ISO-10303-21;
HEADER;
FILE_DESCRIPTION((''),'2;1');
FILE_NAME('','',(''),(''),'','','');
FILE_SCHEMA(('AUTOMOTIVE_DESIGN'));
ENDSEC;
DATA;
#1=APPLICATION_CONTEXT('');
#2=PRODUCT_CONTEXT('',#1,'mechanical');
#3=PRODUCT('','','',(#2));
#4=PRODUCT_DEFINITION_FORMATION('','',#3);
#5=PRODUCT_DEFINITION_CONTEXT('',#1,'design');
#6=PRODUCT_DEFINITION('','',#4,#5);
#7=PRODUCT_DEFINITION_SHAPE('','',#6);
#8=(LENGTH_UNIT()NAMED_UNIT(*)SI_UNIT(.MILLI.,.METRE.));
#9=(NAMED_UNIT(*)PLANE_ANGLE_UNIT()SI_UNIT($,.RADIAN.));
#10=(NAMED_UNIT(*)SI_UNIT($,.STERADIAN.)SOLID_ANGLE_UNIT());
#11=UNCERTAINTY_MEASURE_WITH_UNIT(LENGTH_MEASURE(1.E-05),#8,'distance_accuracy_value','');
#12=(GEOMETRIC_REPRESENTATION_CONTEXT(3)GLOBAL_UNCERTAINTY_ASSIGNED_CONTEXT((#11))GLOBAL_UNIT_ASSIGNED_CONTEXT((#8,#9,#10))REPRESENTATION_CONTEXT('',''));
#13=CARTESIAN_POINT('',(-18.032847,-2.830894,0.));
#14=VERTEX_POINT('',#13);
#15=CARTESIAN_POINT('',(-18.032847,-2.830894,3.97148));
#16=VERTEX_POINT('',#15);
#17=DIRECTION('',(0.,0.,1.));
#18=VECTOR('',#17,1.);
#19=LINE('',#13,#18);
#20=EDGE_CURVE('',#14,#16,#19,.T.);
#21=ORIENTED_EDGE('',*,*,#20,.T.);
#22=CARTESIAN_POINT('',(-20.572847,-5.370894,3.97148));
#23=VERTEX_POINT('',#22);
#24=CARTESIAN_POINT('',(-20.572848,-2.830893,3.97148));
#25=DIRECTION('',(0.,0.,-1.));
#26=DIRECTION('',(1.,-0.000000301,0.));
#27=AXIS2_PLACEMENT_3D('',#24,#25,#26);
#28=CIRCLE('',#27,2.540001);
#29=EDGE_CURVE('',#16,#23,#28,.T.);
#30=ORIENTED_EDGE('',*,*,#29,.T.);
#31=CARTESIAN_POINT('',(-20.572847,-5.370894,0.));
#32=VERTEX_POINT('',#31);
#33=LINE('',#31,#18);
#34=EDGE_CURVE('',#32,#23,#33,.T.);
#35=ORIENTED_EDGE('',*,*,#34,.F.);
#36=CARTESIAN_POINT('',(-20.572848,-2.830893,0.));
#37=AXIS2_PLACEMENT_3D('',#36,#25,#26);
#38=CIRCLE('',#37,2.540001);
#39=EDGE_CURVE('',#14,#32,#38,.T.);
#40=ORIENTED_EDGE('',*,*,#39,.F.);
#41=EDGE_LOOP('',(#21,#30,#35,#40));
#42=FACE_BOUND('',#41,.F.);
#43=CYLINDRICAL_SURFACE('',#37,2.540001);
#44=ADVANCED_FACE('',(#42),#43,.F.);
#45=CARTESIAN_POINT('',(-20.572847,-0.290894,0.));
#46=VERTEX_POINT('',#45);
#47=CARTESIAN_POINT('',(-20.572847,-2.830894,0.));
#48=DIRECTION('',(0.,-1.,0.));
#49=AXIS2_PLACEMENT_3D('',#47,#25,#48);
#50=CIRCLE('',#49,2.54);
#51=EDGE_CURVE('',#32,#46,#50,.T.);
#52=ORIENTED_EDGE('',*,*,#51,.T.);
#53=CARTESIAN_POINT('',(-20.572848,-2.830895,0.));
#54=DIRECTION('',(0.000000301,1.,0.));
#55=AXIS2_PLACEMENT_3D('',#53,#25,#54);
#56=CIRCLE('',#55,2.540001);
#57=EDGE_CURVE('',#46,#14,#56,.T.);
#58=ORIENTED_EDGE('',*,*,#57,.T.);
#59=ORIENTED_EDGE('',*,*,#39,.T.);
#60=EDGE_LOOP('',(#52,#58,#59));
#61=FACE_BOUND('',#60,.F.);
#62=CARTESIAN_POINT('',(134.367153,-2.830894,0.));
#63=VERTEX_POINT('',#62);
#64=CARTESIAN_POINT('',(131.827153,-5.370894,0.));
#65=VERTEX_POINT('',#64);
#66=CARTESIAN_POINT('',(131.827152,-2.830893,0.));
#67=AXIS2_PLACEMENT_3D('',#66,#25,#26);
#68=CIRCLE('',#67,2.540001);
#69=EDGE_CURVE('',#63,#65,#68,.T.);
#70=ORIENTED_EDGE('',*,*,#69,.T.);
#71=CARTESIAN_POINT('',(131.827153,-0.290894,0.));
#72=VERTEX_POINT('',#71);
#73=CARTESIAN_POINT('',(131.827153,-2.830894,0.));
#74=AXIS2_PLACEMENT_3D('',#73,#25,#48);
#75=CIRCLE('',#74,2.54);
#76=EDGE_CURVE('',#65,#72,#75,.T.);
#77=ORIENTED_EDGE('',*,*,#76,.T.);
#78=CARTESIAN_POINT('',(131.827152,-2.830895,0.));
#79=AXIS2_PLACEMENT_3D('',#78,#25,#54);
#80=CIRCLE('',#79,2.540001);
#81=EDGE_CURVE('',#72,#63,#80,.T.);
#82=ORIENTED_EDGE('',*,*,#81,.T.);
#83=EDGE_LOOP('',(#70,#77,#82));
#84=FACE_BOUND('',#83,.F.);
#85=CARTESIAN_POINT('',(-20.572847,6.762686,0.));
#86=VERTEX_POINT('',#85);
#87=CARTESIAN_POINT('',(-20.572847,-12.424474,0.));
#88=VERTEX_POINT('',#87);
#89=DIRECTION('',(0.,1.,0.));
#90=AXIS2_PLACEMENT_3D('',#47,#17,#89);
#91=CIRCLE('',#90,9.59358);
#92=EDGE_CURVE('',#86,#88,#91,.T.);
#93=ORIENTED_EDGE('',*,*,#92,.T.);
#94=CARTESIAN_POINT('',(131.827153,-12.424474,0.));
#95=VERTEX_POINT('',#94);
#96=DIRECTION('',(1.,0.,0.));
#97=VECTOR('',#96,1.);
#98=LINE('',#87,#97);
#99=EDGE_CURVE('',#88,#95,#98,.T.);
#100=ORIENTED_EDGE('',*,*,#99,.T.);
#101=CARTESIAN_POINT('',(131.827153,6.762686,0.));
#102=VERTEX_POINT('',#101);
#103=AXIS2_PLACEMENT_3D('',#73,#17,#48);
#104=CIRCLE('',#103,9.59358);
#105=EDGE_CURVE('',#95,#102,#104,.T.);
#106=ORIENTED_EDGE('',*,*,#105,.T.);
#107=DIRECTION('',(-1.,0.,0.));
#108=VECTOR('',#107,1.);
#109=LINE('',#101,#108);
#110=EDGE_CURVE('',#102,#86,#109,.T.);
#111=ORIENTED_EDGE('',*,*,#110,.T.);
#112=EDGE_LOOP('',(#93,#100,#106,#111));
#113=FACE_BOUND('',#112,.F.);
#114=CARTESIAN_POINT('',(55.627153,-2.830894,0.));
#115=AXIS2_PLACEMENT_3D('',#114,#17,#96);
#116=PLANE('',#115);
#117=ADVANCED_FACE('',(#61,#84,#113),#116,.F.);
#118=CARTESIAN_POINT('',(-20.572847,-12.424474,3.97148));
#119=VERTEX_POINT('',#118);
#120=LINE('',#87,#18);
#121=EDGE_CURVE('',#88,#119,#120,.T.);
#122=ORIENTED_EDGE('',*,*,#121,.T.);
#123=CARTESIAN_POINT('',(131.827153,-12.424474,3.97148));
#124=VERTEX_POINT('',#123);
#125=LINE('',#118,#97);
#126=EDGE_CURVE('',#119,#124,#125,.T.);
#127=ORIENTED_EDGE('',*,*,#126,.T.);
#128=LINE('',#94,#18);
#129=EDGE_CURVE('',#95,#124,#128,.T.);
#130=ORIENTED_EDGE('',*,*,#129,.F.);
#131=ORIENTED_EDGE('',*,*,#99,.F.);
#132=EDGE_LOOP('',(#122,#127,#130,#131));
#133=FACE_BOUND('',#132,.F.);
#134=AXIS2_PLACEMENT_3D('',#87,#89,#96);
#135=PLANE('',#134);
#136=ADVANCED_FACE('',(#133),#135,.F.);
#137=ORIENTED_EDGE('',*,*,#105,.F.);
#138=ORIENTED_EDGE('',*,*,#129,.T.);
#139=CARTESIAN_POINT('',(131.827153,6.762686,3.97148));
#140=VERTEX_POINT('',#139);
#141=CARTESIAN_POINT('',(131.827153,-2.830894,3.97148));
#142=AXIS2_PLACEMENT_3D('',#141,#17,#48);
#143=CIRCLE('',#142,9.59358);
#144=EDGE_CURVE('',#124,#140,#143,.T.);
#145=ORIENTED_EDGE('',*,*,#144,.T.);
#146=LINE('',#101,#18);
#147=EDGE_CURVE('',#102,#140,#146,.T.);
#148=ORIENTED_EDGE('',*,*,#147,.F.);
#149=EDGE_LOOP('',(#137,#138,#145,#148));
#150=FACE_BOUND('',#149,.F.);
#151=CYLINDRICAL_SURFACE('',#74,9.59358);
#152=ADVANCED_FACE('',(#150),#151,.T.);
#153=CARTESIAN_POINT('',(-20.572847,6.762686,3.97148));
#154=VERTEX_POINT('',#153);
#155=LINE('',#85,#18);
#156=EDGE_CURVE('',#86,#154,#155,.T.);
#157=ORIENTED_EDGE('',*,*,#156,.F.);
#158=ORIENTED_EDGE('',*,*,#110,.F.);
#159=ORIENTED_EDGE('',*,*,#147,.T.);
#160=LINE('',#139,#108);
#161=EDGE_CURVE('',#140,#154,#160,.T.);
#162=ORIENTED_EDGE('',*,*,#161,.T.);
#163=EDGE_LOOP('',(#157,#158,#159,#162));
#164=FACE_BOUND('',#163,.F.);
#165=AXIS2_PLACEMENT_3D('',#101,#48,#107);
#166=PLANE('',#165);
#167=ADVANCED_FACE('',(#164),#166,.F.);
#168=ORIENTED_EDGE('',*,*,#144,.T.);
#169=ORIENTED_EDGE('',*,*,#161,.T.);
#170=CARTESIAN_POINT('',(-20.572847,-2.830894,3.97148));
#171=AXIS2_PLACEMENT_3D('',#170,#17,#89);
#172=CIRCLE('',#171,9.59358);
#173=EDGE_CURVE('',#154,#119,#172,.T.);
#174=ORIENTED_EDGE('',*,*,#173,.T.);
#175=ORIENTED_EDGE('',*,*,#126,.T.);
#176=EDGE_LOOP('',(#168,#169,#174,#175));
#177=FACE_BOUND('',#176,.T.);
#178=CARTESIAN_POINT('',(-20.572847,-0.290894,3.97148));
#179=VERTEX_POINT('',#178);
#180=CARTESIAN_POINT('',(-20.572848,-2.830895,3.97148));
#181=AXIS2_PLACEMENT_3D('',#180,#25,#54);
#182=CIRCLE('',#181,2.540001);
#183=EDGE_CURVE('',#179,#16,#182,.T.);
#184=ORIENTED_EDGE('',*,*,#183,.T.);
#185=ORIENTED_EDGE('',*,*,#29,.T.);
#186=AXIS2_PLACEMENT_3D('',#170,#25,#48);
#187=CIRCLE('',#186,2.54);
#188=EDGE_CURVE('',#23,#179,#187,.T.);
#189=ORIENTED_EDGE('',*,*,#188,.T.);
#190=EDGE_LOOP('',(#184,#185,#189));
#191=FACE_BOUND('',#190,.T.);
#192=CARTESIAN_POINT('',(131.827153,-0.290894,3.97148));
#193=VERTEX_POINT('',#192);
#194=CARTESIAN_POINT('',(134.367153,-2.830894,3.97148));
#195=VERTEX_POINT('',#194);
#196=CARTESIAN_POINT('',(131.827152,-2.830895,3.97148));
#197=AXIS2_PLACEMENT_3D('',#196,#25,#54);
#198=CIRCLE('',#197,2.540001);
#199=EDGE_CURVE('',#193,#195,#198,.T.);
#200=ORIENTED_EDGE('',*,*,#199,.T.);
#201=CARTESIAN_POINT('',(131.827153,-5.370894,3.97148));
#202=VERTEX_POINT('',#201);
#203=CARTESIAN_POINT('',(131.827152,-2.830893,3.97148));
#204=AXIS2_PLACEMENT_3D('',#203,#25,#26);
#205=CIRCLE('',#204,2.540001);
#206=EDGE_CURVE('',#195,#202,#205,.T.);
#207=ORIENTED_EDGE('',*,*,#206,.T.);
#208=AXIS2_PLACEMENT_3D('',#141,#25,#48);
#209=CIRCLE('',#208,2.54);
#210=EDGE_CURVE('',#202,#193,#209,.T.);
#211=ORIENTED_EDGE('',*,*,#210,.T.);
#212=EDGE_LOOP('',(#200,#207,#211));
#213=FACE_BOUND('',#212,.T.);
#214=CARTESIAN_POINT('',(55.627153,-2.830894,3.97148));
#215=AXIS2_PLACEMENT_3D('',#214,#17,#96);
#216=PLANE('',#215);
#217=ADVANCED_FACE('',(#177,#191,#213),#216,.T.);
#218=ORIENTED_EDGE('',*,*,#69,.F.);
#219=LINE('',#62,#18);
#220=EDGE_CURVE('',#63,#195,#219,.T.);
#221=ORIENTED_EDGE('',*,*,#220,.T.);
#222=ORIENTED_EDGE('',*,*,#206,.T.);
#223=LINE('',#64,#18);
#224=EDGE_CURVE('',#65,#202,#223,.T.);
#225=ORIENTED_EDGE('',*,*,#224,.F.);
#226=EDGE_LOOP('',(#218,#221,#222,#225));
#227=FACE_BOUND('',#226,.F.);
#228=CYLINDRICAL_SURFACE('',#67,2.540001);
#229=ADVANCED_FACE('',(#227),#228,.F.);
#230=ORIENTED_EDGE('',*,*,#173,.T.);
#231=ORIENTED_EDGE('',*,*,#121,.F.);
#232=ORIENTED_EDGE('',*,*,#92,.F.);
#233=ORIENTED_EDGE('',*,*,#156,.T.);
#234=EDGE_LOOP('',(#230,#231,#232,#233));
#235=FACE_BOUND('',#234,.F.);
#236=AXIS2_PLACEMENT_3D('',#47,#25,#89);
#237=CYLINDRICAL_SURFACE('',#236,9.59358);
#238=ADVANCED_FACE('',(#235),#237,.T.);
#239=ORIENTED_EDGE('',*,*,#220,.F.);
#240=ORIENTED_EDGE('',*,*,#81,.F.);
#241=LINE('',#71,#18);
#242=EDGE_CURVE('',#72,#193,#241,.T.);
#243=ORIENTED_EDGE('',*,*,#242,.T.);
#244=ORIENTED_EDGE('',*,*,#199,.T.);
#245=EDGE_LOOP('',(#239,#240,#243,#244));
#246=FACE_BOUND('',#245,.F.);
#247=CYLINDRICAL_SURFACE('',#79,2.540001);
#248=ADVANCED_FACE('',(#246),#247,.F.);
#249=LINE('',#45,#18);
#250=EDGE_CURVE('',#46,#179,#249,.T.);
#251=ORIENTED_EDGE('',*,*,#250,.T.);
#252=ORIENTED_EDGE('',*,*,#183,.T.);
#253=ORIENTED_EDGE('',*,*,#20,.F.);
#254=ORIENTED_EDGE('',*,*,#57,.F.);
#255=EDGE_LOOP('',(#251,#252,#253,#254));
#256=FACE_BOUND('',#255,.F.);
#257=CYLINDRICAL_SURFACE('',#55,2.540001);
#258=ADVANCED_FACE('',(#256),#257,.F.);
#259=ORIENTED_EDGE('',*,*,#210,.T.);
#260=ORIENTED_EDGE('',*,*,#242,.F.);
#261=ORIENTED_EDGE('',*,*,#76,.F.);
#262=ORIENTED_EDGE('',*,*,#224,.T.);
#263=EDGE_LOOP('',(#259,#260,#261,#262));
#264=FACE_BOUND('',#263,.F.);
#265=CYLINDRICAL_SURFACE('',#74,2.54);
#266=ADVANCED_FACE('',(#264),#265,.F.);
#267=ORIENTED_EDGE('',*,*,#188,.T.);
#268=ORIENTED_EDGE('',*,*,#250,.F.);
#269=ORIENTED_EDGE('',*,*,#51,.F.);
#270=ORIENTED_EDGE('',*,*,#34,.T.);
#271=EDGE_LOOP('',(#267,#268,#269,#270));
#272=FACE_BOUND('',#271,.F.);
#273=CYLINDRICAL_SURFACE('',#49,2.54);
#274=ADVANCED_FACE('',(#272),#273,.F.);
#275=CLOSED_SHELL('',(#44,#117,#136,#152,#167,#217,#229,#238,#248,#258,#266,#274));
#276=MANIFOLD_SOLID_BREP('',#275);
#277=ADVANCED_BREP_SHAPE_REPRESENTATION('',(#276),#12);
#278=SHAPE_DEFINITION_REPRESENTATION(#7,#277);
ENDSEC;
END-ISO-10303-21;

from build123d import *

# Parameters (mm, degrees)
F1_DEPTH = 3.97148


with BuildPart() as f1:
    # F0 (on Top) → F1 (new body)
    with BuildSketch(Plane.XY):
        with BuildLine():
            Line((131.827153, 6.762686), (-20.572847, 6.762686))
            ThreePointArc((-20.572847, 6.762686), (-30.166427, -2.830894), (-20.572847, -12.424474))
            Line((-20.572847, -12.424474), (131.827153, -12.424474))
            ThreePointArc((131.827153, -12.424474), (141.420733, -2.830894), (131.827153, 6.762686))
        make_face()
        with BuildLine():
            ThreePointArc((-20.572847, -5.370894), (-23.112847, -2.830894), (-20.572847, -0.290894))
            ThreePointArc((-20.572847, -0.290894), (-18.776796, -1.034843), (-18.032847, -2.830894))
            ThreePointArc((-18.032847, -2.830894), (-18.776796, -4.626945), (-20.572847, -5.370894))
        make_face(mode=Mode.SUBTRACT)
        with BuildLine():
            ThreePointArc((131.827153, -5.370894), (129.287153, -2.830894), (131.827153, -0.290894))
            ThreePointArc((131.827153, -0.290894), (133.623204, -1.034843), (134.367153, -2.830894))
            ThreePointArc((134.367153, -2.830894), (133.623204, -4.626945), (131.827153, -5.370894))
        make_face(mode=Mode.SUBTRACT)
    extrude(amount=F1_DEPTH)


solid = f1.part
